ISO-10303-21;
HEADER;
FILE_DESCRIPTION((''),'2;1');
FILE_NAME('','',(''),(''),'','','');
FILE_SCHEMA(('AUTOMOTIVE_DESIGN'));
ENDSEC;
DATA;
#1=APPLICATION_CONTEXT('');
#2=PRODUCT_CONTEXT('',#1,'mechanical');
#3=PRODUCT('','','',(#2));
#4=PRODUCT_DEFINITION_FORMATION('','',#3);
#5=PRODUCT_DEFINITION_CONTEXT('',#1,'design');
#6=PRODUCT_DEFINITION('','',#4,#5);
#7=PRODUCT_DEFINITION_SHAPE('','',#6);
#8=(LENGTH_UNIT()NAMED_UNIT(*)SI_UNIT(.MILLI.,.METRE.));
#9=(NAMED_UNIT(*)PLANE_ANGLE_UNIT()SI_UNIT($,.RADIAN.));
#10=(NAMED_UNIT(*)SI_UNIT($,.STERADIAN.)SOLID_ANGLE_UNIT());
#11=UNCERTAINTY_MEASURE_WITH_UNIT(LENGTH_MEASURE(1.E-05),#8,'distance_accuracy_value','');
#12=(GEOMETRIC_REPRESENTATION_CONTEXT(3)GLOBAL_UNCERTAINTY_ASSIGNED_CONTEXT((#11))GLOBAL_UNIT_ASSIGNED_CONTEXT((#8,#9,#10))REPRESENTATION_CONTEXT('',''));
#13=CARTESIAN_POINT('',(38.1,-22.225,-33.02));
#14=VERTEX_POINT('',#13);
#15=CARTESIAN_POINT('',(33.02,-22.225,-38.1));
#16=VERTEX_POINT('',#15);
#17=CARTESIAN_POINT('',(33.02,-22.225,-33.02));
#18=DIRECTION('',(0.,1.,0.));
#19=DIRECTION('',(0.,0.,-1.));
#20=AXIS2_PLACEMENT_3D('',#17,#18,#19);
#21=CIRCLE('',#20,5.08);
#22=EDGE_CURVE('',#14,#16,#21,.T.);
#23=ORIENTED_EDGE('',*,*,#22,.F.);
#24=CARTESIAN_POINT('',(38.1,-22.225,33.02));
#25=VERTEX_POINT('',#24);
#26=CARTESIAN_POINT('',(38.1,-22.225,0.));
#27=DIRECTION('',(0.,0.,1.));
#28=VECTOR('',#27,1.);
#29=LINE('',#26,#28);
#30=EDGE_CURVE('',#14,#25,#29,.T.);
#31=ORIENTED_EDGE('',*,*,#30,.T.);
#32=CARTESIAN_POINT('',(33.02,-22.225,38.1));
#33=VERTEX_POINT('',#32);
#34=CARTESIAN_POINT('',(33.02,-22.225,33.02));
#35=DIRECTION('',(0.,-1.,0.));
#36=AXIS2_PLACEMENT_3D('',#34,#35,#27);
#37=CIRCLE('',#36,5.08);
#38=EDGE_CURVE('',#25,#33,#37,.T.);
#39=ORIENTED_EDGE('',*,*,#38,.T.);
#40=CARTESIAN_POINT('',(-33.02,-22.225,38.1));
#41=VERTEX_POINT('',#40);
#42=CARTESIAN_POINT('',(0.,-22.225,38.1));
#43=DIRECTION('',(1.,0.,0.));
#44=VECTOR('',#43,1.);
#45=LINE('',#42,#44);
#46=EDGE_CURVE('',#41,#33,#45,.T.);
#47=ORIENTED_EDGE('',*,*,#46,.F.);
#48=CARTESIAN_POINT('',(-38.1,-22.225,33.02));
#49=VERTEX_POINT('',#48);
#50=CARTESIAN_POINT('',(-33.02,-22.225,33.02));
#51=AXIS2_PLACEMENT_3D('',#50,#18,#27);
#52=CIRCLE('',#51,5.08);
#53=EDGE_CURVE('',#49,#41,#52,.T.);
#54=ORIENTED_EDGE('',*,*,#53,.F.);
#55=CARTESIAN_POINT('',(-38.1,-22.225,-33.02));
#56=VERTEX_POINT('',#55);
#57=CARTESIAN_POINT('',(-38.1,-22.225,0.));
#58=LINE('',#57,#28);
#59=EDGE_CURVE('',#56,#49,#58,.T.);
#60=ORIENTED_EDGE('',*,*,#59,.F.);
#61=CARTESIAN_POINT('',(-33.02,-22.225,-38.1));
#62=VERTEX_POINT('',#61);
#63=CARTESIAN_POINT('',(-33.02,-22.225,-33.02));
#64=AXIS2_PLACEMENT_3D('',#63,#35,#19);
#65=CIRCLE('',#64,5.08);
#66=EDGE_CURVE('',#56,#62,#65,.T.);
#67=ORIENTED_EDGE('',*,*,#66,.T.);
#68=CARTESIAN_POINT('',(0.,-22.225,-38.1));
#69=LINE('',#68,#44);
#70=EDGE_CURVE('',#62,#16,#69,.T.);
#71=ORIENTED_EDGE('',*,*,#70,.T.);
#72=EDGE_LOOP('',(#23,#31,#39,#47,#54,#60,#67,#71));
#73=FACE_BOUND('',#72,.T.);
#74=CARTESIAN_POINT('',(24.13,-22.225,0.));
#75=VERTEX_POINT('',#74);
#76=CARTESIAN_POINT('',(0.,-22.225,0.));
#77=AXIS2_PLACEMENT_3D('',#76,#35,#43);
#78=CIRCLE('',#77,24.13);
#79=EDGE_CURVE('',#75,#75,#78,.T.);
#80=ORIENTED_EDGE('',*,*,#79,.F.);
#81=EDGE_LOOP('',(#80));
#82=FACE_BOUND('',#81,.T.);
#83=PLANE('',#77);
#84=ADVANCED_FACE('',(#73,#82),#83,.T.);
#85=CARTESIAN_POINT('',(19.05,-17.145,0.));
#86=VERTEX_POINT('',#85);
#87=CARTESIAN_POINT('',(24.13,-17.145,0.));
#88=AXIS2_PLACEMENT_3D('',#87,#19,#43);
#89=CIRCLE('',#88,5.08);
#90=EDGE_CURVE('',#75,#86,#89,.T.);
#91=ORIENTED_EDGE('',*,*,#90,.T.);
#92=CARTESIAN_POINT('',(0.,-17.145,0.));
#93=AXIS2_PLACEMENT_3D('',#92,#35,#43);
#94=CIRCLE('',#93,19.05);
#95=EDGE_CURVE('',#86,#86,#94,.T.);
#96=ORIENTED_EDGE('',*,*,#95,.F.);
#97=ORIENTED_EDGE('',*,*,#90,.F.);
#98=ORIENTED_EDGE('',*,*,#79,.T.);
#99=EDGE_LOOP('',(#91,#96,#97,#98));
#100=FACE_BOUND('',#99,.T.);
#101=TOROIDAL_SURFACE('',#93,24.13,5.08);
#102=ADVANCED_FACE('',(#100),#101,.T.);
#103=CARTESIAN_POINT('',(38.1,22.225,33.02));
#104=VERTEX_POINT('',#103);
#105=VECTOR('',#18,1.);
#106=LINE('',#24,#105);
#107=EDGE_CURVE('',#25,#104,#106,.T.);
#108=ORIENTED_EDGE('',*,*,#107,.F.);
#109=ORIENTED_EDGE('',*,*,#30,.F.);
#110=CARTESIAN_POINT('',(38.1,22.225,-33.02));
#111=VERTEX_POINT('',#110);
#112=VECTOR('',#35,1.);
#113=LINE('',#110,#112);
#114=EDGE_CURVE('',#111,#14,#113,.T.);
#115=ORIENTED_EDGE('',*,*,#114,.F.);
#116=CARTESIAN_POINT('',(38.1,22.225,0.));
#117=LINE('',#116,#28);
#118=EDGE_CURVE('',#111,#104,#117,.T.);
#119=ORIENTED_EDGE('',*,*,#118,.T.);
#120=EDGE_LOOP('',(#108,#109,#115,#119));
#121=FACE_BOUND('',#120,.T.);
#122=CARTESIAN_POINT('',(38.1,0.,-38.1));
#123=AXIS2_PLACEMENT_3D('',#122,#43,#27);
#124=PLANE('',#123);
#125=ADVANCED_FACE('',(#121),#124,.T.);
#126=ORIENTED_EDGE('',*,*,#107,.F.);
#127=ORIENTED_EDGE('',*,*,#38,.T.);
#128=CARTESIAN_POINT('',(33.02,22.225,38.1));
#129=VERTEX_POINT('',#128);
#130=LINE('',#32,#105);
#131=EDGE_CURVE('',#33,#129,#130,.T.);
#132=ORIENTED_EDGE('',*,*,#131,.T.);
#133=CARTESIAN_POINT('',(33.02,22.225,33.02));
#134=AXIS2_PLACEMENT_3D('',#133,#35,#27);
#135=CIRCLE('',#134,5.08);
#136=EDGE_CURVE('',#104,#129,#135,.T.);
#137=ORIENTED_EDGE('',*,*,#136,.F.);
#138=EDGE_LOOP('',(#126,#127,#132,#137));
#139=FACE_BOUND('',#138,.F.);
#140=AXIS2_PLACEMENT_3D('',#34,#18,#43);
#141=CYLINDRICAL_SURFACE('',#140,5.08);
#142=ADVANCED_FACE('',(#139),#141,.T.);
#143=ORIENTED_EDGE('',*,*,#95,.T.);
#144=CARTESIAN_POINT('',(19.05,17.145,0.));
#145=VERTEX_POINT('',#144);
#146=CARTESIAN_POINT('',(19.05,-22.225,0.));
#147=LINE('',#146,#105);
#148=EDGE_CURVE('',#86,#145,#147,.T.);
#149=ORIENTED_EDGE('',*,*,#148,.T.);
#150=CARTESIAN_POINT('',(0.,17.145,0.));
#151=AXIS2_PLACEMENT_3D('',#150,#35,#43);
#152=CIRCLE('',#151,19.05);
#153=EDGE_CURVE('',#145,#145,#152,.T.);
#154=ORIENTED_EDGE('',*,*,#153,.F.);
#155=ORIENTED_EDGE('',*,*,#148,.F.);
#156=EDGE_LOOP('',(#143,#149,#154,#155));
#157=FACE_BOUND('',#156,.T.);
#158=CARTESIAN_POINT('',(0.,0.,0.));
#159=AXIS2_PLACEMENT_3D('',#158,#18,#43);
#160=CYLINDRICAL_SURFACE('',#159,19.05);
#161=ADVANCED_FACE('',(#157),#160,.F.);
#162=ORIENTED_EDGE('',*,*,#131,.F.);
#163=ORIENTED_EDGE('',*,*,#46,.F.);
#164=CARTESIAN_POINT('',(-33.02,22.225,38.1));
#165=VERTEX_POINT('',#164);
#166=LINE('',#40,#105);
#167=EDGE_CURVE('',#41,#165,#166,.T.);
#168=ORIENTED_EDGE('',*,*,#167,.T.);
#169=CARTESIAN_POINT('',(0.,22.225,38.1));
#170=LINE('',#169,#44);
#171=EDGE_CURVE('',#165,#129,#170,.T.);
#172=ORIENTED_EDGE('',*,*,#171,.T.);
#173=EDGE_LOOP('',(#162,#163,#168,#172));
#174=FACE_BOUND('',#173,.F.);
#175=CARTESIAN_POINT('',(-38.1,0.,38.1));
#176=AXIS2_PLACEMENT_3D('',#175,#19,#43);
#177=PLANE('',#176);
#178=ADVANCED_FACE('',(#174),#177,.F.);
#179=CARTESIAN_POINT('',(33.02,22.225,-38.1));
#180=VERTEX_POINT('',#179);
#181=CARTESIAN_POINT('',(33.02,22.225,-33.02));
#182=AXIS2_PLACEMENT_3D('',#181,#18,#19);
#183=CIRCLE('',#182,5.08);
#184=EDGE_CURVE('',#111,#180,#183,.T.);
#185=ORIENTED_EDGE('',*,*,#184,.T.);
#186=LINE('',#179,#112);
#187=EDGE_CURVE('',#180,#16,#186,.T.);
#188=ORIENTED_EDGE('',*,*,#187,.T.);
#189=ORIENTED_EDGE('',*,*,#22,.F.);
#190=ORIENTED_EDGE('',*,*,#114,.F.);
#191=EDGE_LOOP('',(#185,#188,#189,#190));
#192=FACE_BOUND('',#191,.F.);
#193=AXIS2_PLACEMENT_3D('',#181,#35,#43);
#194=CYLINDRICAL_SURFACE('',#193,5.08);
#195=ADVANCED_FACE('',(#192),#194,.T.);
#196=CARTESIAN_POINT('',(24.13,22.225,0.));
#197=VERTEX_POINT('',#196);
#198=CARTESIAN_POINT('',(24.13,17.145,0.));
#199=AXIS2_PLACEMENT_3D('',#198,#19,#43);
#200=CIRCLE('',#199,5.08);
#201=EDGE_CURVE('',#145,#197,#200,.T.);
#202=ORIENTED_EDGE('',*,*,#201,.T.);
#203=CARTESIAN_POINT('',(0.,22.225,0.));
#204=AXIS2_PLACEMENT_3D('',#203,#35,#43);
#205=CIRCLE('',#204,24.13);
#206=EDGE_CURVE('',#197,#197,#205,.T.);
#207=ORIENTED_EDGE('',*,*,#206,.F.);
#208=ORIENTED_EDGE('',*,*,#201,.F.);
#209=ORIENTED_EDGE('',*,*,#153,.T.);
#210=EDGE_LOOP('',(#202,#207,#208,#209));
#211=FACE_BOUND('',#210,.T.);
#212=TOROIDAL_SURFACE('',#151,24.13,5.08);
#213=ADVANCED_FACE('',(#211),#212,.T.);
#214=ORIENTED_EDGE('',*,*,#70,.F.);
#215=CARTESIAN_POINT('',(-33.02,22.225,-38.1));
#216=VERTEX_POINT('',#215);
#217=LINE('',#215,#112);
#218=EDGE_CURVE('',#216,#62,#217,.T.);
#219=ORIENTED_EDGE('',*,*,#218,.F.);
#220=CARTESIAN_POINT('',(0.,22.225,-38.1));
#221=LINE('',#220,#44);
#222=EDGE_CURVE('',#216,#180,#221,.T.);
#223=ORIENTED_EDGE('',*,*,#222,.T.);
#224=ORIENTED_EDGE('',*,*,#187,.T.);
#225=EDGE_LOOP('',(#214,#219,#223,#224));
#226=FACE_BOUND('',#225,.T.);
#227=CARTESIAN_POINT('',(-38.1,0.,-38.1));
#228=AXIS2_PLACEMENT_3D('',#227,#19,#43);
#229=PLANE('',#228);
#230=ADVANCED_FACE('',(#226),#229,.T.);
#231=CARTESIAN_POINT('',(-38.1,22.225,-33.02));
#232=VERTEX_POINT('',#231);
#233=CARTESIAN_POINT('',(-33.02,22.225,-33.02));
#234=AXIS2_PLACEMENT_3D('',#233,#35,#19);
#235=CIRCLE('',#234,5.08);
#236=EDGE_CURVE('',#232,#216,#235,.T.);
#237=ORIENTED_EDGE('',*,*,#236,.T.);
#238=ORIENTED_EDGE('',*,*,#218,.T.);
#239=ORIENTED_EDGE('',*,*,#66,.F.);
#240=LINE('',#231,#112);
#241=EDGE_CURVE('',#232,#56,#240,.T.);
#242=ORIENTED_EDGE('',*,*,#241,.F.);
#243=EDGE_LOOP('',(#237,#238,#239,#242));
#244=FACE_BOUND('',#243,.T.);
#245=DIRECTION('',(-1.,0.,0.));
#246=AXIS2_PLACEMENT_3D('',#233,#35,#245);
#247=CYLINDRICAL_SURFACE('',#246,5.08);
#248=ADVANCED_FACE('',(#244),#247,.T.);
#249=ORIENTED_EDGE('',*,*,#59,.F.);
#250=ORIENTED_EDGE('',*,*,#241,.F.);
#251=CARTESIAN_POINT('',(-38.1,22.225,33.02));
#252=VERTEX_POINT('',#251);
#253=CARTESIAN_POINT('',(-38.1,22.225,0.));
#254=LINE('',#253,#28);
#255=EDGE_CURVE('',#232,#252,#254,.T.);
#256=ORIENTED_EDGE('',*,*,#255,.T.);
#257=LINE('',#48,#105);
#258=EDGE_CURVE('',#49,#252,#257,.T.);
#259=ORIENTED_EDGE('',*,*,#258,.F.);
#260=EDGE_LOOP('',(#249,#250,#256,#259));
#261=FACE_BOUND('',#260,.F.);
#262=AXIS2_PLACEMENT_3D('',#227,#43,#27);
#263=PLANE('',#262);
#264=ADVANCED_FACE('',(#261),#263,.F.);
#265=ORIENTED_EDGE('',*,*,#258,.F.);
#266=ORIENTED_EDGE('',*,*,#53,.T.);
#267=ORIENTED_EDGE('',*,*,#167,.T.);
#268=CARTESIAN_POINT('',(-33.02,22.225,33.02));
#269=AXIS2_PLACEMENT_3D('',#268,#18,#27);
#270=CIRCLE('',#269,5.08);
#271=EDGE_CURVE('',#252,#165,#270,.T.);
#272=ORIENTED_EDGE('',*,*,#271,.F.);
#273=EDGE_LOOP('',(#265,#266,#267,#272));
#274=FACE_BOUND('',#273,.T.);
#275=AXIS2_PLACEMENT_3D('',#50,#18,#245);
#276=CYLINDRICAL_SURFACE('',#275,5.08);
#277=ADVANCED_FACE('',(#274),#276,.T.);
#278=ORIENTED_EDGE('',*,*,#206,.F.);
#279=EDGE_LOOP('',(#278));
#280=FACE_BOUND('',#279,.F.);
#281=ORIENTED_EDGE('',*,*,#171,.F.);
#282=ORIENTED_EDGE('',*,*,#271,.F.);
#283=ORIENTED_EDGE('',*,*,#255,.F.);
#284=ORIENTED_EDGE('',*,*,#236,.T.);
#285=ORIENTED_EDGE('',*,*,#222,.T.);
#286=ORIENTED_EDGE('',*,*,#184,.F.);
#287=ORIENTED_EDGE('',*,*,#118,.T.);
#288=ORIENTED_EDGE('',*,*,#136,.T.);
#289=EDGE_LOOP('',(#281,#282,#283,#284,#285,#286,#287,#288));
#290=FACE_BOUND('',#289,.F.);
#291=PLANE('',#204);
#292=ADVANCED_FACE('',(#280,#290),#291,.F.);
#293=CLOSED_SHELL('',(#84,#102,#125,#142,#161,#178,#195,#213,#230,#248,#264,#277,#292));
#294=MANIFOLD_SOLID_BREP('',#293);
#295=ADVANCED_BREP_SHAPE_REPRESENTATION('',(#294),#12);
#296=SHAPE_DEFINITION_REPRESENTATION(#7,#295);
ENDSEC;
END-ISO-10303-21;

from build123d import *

# Parameters (mm, degrees)
F0_W     = 76.2
F0_H     = 76.2
F0_R     = 19.05
F1_DEPTH = 22.225
F2_R     = 5.08


with BuildPart() as f1:
    # F0 (on Front) → F1 (new body, symmetric)
    with BuildSketch(Plane.XZ):
        Rectangle(F0_W, F0_H)
        Circle(F0_R, mode=Mode.SUBTRACT)
    extrude(amount=F1_DEPTH, both=True)

    # F2
    f2_edges = [f1.edges().sort_by_distance(p)[0] for p in [
        (38.1, 0, 38.1),
        (-38.1, 0, 38.1),
        (38.1, 0, -38.1),
        (-38.1, 0, -38.1),
        (-19.05, -22.225, 0),
        (-19.05, 22.225, 0),
    ]]
    fillet(f2_edges, radius=F2_R)


solid = f1.part
